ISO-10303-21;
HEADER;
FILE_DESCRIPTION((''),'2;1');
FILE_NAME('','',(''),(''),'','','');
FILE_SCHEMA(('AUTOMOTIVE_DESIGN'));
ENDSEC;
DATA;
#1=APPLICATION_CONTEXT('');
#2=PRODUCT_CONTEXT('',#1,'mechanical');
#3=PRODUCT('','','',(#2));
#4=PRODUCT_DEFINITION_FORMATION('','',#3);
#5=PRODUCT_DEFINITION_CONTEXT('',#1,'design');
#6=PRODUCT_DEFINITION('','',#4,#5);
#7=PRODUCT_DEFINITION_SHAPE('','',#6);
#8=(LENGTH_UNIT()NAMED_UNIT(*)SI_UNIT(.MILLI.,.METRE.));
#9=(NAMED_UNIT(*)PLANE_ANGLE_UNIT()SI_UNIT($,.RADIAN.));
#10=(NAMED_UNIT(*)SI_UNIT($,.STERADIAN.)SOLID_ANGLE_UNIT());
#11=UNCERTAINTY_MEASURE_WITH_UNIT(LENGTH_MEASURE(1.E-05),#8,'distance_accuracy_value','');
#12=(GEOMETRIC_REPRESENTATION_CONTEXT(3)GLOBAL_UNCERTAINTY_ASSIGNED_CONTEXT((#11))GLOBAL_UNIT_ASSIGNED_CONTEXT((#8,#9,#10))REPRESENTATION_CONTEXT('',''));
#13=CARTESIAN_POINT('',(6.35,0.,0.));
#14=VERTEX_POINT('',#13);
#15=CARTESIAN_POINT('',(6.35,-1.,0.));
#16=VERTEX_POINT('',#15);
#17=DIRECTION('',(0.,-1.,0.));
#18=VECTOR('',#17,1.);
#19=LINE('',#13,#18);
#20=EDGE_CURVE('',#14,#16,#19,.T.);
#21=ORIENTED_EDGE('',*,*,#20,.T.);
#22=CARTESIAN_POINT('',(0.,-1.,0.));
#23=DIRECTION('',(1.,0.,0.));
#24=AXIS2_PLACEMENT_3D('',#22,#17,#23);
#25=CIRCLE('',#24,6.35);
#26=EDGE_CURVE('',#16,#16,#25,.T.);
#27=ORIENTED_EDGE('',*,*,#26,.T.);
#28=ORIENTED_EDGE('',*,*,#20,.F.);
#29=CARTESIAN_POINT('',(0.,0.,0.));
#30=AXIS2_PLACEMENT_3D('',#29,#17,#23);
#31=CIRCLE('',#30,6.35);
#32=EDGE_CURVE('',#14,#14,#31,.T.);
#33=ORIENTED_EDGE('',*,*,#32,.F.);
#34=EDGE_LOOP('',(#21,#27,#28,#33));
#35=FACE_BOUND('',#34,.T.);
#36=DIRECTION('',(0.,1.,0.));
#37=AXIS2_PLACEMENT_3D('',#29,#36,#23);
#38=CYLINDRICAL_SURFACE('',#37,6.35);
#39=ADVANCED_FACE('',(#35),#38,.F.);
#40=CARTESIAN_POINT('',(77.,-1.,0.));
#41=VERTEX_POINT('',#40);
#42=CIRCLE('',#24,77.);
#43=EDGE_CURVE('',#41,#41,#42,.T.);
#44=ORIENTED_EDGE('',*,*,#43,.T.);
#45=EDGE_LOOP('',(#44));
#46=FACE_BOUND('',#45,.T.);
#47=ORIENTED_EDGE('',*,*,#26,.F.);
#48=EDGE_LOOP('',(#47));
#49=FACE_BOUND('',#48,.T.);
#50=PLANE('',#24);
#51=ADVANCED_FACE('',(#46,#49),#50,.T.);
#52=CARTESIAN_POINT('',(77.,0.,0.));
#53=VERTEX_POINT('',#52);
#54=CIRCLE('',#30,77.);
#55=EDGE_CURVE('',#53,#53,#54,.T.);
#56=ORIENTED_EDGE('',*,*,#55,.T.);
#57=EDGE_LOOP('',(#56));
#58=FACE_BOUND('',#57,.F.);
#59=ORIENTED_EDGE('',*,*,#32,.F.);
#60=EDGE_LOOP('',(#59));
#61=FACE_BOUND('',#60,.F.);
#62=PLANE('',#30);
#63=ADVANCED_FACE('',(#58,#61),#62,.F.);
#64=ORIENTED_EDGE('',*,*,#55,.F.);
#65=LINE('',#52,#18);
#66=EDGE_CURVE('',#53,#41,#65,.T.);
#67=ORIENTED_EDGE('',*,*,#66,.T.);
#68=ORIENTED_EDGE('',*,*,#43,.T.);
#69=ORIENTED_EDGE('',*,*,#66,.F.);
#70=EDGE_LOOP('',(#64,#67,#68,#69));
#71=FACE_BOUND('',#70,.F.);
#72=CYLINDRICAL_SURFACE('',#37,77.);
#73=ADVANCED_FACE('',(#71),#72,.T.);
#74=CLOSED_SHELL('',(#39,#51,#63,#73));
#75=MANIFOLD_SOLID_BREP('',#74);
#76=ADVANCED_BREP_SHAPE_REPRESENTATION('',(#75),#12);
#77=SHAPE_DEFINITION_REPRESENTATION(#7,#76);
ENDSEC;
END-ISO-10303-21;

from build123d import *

# Parameters (mm, degrees)
SKETCH_R   = 77
SKETCH_R_2 = 6.35
PAD_DEPTH  = 1


with BuildPart() as part:
    # Sketch → Pad (new body)
    with BuildSketch(Plane.XZ):
        Circle(SKETCH_R)
        Circle(SKETCH_R_2, mode=Mode.SUBTRACT)
    extrude(amount=PAD_DEPTH)


solid = part.part
